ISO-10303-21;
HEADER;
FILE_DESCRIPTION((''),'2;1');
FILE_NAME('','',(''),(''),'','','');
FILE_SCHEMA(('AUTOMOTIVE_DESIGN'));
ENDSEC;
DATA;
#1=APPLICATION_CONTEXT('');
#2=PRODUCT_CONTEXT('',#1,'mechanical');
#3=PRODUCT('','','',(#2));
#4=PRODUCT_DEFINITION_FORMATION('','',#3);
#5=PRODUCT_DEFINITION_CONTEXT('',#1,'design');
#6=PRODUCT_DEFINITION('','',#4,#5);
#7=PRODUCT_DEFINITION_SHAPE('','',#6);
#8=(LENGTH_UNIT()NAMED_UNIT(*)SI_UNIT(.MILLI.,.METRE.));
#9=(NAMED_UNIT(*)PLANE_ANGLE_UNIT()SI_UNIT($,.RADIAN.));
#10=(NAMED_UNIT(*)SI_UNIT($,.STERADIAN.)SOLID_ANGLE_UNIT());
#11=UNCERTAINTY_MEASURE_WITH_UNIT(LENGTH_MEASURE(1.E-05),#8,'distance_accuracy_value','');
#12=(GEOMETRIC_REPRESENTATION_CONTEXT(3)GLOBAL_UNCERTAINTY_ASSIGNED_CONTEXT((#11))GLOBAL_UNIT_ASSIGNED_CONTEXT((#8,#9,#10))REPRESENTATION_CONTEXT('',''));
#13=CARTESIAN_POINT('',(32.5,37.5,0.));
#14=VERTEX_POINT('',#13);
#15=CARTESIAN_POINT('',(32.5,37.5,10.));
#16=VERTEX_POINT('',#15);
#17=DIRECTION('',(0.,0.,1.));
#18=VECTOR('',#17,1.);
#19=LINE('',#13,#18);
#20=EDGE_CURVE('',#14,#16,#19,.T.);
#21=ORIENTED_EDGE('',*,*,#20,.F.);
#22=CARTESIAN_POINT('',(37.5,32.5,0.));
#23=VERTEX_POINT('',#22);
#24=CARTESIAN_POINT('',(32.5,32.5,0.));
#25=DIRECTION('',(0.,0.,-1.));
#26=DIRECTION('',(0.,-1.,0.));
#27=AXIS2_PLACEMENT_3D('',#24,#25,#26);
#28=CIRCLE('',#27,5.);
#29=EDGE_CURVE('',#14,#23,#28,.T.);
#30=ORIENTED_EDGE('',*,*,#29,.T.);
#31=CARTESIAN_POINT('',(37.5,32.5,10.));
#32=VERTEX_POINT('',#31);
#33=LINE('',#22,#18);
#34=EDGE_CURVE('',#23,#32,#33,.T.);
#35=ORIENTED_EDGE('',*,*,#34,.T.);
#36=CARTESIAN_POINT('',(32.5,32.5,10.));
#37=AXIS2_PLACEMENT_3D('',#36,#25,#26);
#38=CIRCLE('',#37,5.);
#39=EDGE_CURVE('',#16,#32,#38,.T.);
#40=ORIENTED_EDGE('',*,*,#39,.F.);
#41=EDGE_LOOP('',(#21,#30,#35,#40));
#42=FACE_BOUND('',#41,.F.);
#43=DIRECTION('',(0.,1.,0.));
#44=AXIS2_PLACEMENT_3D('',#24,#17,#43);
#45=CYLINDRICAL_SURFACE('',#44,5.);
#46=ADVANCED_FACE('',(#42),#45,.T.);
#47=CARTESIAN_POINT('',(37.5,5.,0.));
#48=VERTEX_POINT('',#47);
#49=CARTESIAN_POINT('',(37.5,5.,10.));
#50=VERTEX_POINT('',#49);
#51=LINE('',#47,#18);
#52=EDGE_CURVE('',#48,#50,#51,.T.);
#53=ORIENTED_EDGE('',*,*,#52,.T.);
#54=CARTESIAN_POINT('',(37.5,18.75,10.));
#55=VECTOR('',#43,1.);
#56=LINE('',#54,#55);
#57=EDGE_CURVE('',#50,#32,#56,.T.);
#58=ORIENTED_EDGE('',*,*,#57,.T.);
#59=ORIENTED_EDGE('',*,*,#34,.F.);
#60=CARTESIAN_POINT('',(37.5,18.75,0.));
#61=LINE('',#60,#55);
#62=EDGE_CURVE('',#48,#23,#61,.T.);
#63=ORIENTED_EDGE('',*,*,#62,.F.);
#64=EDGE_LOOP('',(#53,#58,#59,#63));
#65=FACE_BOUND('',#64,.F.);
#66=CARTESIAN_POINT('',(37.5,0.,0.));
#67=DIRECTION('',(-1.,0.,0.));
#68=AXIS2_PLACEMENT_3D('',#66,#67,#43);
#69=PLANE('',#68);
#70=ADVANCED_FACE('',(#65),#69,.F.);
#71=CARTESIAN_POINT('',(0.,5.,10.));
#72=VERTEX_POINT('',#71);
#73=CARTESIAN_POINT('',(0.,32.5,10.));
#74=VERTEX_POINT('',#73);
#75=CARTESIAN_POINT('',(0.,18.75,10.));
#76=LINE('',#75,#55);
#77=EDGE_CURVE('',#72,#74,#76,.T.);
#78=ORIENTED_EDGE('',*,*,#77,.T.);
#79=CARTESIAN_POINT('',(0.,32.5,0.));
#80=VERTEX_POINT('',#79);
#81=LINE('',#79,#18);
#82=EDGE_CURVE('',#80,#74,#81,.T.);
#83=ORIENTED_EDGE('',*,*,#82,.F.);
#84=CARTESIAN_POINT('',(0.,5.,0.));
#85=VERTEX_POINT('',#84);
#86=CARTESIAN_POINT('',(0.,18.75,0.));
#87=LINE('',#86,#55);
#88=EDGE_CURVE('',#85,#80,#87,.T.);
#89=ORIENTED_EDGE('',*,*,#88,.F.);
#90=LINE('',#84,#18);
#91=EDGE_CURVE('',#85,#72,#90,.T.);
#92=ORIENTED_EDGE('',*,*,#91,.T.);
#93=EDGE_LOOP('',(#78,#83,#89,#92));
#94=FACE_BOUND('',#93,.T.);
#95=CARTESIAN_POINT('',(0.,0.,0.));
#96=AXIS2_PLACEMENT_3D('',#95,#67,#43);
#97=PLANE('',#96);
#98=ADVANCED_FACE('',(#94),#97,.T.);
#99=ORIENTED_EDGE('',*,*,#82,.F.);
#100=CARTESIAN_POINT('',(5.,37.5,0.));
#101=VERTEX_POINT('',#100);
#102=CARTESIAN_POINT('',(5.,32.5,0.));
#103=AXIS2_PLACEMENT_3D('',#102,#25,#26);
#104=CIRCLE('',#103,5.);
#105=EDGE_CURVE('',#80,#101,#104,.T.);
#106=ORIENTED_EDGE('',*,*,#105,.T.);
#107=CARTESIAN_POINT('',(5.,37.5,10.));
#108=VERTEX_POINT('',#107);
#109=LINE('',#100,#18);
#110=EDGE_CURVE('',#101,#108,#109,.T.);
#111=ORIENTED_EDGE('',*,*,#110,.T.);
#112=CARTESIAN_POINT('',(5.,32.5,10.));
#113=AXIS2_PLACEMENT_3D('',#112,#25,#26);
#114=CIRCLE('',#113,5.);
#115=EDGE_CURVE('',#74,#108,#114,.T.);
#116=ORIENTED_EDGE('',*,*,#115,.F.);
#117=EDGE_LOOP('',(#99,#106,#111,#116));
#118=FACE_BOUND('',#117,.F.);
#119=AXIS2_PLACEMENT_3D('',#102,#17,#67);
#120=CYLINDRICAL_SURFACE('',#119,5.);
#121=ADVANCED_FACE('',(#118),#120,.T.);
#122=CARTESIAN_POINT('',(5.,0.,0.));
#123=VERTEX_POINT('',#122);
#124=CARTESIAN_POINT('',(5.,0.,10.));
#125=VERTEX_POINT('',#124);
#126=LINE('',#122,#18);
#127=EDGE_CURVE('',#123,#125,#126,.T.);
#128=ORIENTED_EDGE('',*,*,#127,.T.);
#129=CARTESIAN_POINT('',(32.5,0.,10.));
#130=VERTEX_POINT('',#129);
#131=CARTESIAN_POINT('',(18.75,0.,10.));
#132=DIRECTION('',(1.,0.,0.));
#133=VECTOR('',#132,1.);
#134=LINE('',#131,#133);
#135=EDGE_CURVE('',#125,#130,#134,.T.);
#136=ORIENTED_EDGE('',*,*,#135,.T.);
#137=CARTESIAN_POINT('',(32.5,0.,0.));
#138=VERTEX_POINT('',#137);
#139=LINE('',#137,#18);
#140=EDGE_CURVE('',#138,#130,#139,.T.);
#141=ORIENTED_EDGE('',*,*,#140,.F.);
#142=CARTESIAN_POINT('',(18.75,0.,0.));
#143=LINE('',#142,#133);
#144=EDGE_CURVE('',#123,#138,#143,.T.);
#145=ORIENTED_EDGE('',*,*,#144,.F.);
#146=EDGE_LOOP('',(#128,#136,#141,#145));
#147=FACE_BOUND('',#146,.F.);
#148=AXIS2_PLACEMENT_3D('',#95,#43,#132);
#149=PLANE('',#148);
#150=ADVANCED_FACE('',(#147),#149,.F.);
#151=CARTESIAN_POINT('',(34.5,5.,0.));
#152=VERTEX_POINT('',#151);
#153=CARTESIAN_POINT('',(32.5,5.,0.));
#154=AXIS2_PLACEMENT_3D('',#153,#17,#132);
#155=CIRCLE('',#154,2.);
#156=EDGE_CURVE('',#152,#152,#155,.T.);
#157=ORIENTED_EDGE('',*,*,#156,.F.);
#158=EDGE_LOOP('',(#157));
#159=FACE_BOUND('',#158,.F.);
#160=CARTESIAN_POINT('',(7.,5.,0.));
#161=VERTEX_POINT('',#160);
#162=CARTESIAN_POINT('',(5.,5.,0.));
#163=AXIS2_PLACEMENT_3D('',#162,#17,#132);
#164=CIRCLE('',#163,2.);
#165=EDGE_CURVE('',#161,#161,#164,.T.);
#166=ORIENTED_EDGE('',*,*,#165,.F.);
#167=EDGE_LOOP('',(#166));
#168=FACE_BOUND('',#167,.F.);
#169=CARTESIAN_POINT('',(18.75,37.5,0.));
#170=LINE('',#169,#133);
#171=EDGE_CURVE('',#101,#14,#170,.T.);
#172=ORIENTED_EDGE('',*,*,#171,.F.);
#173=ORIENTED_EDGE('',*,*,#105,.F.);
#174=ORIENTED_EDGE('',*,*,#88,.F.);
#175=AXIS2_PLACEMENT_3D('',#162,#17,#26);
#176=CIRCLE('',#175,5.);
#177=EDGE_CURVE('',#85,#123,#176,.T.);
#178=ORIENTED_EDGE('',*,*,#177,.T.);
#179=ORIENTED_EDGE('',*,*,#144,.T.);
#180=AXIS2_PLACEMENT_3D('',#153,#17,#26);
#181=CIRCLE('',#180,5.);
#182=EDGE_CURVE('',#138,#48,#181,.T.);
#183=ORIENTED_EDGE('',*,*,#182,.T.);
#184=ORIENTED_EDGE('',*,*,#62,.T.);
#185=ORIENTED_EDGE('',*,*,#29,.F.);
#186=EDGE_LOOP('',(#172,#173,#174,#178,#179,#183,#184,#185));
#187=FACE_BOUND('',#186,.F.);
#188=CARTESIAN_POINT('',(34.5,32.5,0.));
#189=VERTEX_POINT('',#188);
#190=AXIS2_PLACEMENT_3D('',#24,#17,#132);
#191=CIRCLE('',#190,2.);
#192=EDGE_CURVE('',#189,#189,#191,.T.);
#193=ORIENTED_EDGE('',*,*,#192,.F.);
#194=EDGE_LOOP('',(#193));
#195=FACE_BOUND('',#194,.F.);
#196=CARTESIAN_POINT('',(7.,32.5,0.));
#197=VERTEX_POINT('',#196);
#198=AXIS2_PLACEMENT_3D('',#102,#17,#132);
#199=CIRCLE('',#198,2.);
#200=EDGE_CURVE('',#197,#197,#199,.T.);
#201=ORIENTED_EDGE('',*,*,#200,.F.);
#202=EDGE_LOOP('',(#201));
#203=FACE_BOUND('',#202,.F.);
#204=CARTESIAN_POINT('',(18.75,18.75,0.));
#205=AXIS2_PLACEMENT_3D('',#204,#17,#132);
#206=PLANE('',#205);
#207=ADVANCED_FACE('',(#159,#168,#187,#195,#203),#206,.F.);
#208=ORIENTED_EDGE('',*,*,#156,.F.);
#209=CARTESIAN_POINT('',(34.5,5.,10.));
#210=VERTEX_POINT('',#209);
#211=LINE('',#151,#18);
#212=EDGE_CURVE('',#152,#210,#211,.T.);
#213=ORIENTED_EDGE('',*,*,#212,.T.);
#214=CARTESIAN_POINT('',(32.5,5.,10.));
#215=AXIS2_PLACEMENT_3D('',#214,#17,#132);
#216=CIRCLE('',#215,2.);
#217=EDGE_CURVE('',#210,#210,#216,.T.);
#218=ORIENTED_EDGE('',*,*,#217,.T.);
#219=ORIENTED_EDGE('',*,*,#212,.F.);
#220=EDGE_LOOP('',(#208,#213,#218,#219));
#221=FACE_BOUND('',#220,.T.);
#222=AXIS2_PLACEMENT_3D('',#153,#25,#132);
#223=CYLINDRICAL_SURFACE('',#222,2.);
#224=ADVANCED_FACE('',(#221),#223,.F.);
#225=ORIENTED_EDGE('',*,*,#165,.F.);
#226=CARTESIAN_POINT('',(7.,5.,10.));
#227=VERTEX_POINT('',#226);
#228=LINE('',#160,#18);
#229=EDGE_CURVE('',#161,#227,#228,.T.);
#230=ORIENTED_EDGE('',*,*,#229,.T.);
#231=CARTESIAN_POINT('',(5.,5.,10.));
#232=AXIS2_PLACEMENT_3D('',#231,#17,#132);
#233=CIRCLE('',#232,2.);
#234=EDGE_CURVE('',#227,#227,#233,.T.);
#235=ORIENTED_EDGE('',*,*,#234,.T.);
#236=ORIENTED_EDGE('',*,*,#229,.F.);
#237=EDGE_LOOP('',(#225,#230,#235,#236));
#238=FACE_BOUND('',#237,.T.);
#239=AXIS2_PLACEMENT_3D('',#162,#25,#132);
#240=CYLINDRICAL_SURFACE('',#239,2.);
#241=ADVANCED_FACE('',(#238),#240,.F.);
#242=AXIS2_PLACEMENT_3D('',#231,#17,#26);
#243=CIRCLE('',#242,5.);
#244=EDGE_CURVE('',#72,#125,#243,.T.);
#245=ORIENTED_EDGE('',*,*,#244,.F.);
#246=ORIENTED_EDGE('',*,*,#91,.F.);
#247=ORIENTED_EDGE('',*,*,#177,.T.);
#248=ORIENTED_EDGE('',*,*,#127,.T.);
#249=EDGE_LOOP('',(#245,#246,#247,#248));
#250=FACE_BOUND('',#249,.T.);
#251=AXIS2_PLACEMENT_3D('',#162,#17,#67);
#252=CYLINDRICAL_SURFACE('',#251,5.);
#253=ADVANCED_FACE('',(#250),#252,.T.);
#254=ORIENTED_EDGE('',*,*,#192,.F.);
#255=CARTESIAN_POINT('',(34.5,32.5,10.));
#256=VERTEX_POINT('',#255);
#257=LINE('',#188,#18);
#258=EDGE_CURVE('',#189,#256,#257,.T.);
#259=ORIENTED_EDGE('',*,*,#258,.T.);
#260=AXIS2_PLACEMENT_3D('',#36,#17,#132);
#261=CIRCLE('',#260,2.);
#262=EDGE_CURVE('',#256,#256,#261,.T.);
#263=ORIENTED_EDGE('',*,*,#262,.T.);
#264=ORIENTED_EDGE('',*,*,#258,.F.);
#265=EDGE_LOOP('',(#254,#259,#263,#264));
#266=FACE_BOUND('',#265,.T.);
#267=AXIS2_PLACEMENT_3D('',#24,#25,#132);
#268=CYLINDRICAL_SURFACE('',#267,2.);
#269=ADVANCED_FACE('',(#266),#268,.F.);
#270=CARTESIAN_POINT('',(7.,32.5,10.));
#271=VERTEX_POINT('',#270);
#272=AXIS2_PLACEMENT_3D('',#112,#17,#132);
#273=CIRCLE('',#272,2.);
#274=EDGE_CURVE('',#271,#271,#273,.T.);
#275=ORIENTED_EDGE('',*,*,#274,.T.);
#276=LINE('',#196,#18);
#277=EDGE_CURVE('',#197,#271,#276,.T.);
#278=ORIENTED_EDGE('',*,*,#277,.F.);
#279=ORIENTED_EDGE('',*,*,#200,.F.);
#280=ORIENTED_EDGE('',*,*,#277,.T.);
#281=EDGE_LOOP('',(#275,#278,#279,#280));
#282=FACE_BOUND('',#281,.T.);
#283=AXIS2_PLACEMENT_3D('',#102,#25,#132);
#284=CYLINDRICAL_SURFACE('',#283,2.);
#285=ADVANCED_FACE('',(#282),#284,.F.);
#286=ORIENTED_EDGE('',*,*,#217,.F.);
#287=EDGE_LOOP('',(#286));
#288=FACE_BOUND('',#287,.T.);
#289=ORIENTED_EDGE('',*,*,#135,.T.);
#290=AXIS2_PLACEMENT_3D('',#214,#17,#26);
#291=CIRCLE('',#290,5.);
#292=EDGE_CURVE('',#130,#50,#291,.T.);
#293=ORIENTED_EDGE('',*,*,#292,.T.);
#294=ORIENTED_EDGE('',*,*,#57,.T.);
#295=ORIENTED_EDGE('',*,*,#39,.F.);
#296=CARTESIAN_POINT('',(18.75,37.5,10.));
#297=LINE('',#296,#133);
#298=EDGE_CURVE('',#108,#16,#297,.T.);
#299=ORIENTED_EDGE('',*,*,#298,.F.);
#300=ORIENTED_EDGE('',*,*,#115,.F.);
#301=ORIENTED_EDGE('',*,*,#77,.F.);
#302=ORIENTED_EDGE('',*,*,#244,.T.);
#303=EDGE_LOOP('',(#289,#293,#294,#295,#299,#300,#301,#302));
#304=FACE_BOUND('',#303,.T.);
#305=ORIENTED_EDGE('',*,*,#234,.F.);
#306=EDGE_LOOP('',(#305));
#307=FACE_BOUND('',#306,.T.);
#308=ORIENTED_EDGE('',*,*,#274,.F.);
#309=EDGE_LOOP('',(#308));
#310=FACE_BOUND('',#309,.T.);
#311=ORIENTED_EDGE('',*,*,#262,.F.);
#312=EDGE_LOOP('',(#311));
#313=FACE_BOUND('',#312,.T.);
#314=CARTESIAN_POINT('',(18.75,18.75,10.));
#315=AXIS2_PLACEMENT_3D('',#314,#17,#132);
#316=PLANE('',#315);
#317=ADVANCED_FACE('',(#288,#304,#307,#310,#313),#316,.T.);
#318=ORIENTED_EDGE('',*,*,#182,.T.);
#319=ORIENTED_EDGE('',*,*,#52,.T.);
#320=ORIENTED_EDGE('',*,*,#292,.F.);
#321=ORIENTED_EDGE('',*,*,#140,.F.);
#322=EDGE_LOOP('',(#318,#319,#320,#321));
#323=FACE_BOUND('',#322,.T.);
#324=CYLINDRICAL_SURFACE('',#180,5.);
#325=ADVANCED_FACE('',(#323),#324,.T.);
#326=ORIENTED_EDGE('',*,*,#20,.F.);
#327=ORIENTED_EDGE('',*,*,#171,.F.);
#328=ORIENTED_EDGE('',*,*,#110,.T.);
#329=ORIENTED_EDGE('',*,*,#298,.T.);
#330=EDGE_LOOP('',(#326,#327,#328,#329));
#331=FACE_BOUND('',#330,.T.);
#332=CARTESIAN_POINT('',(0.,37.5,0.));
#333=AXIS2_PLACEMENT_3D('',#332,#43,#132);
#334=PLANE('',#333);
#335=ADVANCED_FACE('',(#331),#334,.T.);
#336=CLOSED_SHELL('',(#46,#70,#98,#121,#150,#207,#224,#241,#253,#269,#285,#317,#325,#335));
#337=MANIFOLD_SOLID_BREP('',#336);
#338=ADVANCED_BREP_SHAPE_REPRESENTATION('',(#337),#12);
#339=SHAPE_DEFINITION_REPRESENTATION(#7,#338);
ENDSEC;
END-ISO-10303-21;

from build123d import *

# Parameters (mm, degrees)
F0_W     = 37.5
F0_H     = 37.5
F0_R     = 2
F1_DEPTH = 10
F2_R     = 5


with BuildPart() as f1:
    # F0 (on Top) → F1 (new body)
    with BuildSketch(Plane.XY):
        with Locations((18.75, 18.75)):
            Rectangle(F0_W, F0_H)
        with Locations((5, 5)):
            Circle(F0_R, mode=Mode.SUBTRACT)
        with Locations((32.5, 5)):
            Circle(F0_R, mode=Mode.SUBTRACT)
        with Locations((5, 32.5)):
            Circle(F0_R, mode=Mode.SUBTRACT)
        with Locations((32.5, 32.5)):
            Circle(F0_R, mode=Mode.SUBTRACT)
    extrude(amount=F1_DEPTH)

    # F2
    f2_edges = [f1.edges().sort_by_distance(p)[0] for p in [
        (37.5, 0, 5),
        (37.5, 37.5, 5),
        (0, 37.5, 5),
        (0, 0, 5),
    ]]
    fillet(f2_edges, radius=F2_R)


solid = f1.part
